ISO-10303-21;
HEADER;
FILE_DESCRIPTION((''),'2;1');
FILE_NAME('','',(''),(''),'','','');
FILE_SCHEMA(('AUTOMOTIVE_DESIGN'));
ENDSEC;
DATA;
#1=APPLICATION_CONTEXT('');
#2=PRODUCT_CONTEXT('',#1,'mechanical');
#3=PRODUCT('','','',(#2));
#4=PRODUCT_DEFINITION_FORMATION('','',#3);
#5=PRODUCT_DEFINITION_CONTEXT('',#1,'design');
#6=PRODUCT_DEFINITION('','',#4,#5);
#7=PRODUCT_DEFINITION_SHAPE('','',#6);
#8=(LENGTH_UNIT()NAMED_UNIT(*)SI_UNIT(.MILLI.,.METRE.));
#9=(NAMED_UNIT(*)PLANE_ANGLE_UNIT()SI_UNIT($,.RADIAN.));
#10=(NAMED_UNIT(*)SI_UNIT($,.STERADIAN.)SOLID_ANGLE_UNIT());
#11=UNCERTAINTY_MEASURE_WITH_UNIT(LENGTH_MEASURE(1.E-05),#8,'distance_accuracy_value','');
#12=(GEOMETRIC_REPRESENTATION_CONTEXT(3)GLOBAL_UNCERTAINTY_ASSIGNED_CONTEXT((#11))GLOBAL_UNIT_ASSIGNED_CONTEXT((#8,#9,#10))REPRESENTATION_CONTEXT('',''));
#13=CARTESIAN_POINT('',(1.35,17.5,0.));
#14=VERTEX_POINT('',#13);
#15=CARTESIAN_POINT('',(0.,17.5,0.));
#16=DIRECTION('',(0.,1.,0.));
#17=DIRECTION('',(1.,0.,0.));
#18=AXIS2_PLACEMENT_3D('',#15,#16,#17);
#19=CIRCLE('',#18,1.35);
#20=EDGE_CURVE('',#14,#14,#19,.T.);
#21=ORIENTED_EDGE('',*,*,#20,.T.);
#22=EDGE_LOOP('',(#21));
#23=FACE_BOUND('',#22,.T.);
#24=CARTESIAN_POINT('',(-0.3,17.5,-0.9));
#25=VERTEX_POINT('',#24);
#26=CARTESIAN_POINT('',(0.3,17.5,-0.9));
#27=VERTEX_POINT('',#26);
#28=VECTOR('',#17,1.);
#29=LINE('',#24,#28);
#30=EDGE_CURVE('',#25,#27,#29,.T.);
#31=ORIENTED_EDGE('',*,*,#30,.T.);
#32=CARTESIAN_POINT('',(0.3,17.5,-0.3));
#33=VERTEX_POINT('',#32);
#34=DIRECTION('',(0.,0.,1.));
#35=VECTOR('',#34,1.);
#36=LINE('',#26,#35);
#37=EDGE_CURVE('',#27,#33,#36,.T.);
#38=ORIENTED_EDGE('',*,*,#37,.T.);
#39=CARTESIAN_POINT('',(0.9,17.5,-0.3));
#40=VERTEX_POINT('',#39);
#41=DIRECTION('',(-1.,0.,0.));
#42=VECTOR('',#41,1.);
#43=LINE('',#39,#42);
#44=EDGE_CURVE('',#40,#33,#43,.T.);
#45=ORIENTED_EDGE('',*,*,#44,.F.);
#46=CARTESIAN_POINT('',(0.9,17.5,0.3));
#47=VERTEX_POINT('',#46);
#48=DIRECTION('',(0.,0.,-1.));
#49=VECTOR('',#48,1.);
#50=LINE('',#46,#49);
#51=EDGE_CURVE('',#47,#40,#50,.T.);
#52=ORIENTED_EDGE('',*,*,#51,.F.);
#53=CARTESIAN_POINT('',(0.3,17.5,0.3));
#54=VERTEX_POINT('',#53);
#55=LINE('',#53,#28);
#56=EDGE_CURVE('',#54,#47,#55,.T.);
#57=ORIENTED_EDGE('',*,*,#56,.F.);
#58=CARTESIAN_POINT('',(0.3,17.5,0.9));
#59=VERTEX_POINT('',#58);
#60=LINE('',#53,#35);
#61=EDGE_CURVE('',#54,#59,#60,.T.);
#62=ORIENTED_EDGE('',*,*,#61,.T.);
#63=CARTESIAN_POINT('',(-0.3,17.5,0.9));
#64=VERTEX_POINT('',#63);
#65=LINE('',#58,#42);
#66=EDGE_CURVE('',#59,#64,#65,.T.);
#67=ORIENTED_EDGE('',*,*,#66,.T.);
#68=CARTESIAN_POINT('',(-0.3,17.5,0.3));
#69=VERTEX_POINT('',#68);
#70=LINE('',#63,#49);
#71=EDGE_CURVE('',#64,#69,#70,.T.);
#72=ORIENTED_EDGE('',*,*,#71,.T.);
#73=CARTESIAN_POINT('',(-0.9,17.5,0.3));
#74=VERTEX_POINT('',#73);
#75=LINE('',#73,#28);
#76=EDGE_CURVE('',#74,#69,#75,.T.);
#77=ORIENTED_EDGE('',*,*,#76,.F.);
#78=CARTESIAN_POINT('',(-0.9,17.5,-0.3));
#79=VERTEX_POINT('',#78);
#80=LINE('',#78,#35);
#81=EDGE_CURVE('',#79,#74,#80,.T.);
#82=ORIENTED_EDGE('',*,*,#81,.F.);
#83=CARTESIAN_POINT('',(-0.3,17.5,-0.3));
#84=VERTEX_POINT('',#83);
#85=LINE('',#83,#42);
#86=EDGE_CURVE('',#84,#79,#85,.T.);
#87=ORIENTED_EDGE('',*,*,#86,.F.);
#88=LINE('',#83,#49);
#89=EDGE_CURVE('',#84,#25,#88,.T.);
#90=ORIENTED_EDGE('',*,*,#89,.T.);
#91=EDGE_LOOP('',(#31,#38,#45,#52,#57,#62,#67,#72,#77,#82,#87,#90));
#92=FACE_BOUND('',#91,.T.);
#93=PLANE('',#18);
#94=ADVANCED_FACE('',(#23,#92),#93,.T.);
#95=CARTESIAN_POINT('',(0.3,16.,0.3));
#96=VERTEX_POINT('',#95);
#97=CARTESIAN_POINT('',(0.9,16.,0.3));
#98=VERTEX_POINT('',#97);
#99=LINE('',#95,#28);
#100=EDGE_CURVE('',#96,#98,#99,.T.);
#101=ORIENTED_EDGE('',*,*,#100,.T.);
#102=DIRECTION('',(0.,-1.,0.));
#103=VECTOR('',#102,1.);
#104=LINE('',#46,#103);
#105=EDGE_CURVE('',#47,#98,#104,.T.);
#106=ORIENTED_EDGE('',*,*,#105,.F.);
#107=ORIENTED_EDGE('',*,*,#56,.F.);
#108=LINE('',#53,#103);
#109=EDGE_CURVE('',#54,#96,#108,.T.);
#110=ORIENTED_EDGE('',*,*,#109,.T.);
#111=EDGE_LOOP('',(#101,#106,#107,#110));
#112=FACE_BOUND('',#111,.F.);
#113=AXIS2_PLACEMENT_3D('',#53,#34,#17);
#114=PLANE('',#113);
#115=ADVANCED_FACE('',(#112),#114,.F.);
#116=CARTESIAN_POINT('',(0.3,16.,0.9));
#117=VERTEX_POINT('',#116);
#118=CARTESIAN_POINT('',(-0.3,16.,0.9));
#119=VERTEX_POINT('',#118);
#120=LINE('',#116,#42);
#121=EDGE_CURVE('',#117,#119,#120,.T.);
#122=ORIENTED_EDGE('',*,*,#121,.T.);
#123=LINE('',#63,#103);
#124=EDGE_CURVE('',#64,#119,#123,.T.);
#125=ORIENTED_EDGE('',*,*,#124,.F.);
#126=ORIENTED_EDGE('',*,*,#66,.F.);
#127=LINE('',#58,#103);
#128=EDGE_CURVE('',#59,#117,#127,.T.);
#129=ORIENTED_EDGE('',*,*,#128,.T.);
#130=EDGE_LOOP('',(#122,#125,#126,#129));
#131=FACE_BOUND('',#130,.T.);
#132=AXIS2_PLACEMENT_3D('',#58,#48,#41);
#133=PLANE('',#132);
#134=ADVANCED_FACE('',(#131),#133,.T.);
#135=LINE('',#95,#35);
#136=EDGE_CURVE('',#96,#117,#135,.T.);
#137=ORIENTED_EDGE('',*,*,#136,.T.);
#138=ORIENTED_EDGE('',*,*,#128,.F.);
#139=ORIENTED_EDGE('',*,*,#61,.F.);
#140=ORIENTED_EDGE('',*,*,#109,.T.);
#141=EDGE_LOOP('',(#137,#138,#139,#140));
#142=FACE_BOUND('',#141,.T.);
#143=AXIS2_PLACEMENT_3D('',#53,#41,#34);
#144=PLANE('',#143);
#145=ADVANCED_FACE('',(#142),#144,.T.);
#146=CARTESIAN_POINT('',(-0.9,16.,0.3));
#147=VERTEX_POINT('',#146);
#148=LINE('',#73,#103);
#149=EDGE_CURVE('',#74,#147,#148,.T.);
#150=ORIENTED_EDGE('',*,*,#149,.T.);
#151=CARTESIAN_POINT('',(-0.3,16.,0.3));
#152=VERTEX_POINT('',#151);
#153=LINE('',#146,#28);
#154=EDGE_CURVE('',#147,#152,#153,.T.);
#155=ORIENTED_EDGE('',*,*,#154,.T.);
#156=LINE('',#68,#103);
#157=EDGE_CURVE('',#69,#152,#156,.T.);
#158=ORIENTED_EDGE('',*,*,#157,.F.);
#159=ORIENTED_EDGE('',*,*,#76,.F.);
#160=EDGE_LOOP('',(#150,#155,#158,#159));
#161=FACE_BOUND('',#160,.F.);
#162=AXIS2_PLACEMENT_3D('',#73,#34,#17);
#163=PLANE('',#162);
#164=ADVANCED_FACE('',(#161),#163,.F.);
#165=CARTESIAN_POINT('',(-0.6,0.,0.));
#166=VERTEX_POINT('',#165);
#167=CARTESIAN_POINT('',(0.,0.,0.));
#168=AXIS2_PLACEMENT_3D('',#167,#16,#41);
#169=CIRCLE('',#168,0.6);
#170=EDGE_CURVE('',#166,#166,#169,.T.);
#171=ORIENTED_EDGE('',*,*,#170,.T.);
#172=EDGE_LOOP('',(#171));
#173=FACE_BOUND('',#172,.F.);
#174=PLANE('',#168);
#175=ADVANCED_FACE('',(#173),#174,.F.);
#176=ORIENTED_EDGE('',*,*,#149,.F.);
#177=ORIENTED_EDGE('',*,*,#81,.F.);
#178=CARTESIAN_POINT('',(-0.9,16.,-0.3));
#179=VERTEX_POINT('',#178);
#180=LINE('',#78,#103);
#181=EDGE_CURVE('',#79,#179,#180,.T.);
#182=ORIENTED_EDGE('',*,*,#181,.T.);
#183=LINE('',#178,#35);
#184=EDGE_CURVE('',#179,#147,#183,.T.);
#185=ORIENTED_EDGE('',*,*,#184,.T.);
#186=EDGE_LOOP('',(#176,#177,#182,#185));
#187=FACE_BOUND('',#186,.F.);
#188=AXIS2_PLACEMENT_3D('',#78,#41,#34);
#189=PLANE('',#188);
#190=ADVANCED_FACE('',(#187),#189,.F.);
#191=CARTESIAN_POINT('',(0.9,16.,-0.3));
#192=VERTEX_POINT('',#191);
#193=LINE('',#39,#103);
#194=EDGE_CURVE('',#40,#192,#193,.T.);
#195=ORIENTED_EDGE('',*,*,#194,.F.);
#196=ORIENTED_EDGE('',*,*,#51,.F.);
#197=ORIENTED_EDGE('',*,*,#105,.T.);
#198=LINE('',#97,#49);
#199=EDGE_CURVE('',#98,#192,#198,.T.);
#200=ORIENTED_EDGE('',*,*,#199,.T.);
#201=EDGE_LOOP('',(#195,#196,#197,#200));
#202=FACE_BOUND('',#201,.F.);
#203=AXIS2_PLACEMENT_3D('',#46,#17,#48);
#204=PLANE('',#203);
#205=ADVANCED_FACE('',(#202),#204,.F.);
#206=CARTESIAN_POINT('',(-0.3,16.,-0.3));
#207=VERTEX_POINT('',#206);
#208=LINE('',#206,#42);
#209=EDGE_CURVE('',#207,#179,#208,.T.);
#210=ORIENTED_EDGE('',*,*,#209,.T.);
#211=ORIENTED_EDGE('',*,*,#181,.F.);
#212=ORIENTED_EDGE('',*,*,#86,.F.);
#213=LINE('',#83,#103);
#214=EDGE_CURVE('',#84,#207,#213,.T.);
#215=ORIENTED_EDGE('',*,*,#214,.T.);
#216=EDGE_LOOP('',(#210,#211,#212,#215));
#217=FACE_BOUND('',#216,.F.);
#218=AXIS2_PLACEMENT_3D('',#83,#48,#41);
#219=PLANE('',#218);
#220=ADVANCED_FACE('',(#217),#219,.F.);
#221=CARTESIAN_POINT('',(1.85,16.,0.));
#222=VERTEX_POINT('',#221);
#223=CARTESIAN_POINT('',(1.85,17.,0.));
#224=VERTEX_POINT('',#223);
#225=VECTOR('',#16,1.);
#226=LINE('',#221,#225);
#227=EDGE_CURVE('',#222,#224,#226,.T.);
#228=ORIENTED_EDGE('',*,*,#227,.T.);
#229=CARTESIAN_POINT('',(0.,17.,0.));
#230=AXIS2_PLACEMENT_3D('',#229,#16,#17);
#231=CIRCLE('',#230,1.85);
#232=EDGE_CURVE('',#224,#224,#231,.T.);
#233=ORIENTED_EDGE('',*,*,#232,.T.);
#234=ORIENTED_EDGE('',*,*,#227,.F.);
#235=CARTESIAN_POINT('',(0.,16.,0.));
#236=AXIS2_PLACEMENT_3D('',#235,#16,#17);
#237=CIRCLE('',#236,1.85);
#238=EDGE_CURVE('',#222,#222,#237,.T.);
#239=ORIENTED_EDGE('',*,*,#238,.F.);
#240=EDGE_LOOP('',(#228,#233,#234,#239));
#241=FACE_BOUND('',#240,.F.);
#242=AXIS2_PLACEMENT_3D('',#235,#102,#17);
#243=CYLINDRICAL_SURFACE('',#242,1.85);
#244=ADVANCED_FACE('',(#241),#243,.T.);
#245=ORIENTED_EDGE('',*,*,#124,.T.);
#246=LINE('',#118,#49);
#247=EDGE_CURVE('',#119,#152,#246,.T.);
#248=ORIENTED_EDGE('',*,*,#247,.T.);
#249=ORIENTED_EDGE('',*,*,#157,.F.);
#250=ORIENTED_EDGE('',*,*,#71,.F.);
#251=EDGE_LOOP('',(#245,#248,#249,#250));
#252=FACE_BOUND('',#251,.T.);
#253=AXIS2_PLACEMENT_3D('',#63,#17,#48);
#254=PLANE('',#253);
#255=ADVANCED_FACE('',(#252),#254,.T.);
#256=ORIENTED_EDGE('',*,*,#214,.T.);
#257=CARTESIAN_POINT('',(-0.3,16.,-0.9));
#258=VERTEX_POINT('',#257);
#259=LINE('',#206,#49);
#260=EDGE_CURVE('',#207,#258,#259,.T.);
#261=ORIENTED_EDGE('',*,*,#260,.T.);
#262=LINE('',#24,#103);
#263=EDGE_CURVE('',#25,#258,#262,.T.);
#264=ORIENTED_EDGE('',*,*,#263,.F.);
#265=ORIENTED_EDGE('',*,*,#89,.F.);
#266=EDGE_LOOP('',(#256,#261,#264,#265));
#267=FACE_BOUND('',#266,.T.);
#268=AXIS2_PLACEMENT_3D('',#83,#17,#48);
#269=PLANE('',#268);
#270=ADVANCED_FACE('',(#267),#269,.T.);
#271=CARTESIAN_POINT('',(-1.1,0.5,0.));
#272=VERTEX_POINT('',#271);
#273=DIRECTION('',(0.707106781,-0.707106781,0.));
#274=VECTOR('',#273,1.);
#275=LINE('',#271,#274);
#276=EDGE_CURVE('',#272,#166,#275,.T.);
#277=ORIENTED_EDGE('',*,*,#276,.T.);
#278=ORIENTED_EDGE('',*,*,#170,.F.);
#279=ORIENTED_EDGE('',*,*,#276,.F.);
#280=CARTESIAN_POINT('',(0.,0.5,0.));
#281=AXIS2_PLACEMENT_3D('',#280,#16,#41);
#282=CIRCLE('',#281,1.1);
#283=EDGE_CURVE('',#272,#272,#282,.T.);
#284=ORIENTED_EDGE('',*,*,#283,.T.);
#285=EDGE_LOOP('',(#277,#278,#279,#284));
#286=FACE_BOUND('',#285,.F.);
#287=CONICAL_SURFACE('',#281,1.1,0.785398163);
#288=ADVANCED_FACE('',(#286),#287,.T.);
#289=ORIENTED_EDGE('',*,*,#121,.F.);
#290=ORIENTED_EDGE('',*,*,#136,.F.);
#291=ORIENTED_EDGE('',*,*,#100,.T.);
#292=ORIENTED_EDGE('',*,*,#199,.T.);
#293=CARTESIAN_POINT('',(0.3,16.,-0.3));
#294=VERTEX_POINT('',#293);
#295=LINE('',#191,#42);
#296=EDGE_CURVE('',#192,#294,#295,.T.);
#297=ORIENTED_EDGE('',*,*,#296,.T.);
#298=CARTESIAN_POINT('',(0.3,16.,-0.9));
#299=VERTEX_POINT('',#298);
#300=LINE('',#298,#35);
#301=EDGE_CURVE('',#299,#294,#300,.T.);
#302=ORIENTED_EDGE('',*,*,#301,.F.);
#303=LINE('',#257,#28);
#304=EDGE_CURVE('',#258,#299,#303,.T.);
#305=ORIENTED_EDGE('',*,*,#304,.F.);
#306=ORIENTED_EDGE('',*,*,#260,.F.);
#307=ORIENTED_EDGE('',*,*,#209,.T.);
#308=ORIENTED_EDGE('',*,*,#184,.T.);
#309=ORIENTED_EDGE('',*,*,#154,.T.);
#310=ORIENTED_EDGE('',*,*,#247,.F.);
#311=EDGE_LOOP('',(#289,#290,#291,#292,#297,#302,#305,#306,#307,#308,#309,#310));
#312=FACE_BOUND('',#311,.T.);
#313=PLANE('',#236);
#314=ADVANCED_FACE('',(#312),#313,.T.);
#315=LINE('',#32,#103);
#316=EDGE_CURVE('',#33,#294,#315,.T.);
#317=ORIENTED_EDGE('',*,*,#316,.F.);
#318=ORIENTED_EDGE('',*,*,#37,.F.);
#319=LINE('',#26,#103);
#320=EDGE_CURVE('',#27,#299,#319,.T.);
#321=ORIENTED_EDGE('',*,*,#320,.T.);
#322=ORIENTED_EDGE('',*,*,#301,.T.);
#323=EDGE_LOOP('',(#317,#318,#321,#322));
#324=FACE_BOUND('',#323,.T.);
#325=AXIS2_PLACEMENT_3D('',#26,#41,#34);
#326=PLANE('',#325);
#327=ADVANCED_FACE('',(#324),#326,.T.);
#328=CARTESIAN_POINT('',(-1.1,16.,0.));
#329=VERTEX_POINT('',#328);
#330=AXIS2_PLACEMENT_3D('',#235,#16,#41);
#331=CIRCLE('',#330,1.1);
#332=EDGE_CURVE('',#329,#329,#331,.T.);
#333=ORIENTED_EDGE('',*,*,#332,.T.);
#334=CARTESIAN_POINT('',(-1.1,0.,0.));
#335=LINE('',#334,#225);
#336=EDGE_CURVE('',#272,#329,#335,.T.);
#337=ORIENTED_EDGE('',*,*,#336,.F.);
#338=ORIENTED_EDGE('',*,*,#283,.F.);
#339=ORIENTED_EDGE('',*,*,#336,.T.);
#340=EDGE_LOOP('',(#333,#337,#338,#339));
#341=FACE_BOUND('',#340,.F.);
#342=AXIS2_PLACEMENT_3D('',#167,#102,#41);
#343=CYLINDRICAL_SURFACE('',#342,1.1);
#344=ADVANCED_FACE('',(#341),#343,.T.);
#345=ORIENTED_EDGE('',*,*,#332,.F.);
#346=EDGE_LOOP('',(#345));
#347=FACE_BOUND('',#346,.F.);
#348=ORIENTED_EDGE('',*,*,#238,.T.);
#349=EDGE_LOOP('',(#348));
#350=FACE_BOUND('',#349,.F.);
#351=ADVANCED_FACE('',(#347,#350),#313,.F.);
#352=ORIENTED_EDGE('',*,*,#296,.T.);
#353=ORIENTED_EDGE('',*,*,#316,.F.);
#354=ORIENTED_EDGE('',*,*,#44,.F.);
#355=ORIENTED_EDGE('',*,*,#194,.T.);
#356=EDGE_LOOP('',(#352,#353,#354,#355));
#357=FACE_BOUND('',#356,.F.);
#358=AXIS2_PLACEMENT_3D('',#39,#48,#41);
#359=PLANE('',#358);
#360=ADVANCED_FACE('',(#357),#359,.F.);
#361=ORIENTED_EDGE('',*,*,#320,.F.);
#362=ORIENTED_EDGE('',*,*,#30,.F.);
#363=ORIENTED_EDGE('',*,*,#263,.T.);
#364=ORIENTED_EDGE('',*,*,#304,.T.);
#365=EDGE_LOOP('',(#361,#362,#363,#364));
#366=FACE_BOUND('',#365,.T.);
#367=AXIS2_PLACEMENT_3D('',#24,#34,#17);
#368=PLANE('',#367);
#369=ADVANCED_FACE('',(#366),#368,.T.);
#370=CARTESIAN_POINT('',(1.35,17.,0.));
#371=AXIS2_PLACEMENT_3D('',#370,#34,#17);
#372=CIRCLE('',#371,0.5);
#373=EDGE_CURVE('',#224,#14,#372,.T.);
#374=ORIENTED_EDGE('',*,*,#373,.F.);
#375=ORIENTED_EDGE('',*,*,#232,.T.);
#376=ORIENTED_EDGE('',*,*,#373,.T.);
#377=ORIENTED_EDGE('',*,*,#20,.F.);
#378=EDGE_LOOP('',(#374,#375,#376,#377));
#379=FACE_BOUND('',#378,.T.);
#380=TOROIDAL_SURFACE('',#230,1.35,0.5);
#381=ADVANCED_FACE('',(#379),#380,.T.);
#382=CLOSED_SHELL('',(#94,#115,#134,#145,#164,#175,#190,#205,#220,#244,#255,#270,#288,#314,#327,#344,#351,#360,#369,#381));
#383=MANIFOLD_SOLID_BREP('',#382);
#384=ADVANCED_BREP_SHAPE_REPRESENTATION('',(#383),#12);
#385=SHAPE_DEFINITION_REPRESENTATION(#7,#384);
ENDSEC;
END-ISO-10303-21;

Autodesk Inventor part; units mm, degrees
ref_plane "YZ Plane" through (0, 0, 0) normal (1, 0, 0) x (0, 1, 0)
ref_plane "XZ Plane" through (0, 0, 0) normal (0, 1, 0) x (-1, 0, 0)
ref_plane "XY Plane" through (0, 0, 0) normal (0, 0, 1) x (1, 0, 0)
sketch "Sketch1" plane through (0, 0, 0) normal (0, 1, 0) x (-1, 0, 0)
  circle A0 centre (0, 0) radius 1.1
  dimension "d0" = 2.2
extrude "Extrusion1" add sketch "Sketch1" along normal blind 16
sketch "Sketch2" plane through (0, 16, 0) normal (0, 1, 0) x (1, 0, 0)
  circle A0 centre (0, 0) radius 1.85
  dimension "d3" = 3.7
extrude "Extrusion2" add sketch "Sketch2" along normal blind 1.5
fillet "Fillet1" radius 0.5 1 edges at (-1.85, 17.5, 0)
sketch "Sketch3" plane through (0, 17.5, 0) normal (0, 1, 0) x (1, 0, 0)
  line L0 (0.3, -0.9) -> (-0.3, -0.9)
  line L1 (-0.3, 0.9) -> (0.3, 0.9)
  line L2 (0.3, -0.9) -> (-0.3, 0.9) construction
  line L3 (-0.3, -0.9) -> (0.3, 0.9) construction
  line L4 (-0.9, 0.3) -> (-0.9, -0.3)
  line L5 (0.9, -0.3) -> (0.9, 0.3)
  line L6 (0.9, 0.3) -> (-0.9, -0.3) construction
  line L7 (-0.9, 0.3) -> (0.9, -0.3) construction
  line L8 (-0.3, -0.9) -> (-0.3, -0.3)
  line L9 (-0.3, 0.3) -> (-0.3, 0.9)
  line L10 (0.3, 0.9) -> (0.3, 0.3)
  line L11 (0.3, -0.3) -> (0.3, -0.9)
  line L12 (-0.9, -0.3) -> (-0.3, -0.3)
  line L13 (0.3, -0.3) -> (0.9, -0.3)
  line L14 (-0.3, 0.3) -> (-0.9, 0.3)
  line L15 (0.9, 0.3) -> (0.3, 0.3)
  point P0 (0, 0)
  dimension "d7" = 0.6
  dimension "d8" = 1.8
  dimension "d9" = 1.8
  dimension "d10" = 0.6
  dimension "d11" = 0.6
  dimension "d12" = 0.6
  dimension "d13" = 0.6
  dimension "d14" = 0.6
extrude "Extrusion3" cut sketch "Sketch3" against normal blind 1.5
chamfer "Chamfer1" distance 0.5 angle 45 1 edges at (1.1, 0, 0)
properties part number "screwKa22x16"
